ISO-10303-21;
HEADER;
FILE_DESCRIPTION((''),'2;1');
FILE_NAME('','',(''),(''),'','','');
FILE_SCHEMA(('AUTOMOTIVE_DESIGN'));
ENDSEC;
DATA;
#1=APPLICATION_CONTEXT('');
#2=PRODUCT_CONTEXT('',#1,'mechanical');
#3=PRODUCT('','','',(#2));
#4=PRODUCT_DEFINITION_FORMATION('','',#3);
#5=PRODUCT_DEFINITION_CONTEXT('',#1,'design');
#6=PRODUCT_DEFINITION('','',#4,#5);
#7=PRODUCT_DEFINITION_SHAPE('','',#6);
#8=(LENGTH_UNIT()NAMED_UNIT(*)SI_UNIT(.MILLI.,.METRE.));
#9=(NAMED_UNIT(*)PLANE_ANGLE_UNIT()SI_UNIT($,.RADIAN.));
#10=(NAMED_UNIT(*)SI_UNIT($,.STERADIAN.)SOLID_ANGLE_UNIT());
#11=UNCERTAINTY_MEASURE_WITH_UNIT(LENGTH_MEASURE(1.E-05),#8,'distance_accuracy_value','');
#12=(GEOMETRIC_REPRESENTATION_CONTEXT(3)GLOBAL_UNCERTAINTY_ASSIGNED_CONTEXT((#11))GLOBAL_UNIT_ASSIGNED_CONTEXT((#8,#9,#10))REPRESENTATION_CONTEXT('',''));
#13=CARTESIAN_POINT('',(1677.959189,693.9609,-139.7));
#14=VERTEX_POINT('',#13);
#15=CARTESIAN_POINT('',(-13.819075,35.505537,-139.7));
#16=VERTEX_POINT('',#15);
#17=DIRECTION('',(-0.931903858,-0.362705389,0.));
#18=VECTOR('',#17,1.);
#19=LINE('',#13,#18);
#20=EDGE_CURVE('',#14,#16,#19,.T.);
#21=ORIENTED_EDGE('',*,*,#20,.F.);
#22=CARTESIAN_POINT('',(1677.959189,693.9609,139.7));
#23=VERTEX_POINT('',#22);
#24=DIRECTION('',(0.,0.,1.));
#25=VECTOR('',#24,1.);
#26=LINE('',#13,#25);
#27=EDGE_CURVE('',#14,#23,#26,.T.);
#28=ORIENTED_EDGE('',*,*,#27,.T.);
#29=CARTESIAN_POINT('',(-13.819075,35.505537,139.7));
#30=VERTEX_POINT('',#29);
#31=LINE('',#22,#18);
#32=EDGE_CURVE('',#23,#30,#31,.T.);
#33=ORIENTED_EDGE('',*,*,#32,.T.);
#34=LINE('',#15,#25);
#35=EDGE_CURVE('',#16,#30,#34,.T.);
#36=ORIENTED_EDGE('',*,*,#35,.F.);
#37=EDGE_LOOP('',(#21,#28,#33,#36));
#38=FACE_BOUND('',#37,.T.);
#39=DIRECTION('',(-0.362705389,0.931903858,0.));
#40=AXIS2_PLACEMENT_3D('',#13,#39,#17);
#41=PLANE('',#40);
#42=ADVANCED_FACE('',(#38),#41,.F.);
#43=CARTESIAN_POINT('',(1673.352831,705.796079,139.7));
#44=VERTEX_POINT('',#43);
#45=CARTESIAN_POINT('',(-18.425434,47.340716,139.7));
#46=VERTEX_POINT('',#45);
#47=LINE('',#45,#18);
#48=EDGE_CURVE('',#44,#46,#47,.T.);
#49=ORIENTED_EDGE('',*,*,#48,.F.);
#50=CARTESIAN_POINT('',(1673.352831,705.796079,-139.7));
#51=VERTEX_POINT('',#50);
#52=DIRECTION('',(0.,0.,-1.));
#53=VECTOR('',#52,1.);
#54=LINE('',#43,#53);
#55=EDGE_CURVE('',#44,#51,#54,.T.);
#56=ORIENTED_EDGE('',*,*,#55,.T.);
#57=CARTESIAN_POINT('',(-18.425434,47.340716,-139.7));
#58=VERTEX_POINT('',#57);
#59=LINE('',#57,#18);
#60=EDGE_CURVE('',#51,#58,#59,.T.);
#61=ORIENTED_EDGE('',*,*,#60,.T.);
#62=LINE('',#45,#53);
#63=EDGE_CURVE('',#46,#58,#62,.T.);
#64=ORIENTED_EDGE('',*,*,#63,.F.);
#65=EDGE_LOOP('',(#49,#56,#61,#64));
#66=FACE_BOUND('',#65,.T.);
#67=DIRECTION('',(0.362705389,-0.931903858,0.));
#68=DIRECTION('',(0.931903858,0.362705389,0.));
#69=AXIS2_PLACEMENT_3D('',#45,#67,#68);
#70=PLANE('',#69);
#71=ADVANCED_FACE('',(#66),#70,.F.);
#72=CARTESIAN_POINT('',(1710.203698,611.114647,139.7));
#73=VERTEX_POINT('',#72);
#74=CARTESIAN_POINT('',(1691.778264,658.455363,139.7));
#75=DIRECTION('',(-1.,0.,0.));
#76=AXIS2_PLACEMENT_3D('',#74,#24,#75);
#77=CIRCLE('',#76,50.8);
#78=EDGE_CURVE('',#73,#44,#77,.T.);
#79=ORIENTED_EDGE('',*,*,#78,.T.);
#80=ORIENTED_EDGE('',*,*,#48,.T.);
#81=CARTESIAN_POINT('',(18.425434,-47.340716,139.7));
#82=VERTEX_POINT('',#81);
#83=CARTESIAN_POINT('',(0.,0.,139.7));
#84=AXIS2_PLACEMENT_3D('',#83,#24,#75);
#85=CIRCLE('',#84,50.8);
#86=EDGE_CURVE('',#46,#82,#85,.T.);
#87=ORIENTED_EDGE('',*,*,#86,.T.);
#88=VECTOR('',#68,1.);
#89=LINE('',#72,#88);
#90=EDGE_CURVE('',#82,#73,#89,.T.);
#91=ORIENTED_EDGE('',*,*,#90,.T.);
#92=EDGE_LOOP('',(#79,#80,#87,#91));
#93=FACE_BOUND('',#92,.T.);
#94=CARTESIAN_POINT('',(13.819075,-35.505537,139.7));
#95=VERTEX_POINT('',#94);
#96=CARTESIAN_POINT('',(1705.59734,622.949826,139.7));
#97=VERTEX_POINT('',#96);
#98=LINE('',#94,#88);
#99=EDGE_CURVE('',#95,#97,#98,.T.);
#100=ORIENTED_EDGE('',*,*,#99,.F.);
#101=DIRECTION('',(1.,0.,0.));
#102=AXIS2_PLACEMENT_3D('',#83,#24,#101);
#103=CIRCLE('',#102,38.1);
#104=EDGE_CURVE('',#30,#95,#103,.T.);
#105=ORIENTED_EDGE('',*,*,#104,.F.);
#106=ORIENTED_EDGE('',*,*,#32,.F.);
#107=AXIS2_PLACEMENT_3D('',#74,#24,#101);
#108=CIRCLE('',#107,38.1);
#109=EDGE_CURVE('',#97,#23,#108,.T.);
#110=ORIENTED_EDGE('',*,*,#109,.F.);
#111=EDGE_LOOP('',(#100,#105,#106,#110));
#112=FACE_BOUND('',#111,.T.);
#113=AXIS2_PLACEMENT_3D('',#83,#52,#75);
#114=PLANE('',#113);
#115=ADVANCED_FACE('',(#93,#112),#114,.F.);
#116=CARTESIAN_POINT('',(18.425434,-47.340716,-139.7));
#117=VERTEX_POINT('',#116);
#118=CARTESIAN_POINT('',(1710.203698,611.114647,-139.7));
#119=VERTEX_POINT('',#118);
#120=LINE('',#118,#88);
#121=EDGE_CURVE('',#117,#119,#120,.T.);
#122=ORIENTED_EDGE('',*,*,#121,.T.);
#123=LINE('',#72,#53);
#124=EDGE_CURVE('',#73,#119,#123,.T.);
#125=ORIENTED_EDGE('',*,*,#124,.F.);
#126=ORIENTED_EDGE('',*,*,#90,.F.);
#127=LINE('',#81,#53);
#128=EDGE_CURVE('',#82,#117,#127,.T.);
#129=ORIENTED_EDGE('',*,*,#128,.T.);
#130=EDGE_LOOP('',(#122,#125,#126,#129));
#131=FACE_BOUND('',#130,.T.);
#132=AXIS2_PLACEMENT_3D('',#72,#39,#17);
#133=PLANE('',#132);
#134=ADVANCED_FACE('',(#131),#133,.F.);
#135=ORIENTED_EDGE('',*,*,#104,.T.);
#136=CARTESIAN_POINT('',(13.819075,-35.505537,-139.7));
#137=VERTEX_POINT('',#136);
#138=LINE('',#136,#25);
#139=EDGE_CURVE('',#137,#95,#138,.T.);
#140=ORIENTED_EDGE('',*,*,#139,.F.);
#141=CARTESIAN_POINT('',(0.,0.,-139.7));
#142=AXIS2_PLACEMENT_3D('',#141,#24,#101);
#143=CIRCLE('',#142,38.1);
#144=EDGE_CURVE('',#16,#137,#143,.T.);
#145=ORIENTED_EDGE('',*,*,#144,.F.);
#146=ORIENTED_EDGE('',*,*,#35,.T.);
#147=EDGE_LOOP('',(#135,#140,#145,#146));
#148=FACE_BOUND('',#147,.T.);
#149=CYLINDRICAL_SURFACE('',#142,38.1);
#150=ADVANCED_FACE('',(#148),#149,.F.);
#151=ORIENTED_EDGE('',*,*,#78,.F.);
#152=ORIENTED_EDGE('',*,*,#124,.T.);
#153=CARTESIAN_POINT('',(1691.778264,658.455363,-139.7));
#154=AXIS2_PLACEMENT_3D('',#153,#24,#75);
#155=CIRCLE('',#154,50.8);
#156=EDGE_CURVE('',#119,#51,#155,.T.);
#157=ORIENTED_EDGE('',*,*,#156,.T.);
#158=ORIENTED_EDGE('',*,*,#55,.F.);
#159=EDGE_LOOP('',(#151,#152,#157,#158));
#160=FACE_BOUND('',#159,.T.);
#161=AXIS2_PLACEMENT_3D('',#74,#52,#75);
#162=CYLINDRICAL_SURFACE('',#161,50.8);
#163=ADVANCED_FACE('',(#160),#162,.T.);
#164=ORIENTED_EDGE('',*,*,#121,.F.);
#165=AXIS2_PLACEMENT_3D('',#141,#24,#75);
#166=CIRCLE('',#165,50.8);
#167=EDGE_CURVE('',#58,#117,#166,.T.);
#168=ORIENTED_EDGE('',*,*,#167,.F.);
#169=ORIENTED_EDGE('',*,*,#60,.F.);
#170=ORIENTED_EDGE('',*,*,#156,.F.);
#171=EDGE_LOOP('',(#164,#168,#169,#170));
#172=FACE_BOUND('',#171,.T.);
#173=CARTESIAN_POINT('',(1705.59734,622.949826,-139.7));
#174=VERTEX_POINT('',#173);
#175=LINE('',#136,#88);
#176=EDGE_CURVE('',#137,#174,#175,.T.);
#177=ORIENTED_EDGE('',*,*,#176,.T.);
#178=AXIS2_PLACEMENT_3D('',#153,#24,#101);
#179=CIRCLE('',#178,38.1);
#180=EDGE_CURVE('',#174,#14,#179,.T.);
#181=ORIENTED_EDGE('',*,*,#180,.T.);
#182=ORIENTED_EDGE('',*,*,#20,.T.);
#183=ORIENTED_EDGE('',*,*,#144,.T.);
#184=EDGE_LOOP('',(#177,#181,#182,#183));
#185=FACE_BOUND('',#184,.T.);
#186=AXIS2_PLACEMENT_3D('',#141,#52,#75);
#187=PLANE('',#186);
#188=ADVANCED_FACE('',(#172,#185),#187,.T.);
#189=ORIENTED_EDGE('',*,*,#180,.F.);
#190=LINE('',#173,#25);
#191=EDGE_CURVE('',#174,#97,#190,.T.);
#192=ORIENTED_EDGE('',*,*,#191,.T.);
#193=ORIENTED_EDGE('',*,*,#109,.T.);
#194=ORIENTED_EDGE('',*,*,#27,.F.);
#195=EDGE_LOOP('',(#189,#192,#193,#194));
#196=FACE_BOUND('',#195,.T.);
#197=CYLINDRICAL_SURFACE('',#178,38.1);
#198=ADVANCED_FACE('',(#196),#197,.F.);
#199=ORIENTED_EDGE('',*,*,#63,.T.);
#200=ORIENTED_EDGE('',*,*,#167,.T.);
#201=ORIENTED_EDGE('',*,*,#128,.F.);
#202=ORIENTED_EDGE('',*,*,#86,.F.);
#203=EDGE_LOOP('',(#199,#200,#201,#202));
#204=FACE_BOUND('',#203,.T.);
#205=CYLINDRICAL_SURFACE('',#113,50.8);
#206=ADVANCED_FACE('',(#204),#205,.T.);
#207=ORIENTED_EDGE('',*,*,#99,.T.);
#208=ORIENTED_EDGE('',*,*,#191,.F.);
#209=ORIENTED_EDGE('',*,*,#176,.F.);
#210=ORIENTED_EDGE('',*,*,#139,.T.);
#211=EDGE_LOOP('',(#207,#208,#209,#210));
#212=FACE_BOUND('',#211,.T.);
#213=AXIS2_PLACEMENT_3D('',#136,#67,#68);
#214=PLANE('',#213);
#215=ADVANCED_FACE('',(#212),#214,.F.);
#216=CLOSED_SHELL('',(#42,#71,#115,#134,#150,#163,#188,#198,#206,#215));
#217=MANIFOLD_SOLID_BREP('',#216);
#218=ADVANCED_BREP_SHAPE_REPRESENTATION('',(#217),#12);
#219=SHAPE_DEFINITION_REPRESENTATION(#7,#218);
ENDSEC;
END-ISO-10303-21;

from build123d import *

# Parameters (mm, degrees)
BOSS_EXTRUDE1_DEPTH = 139.7
CUT_EXTRUDE1_DEPTH  = 1903.021697166


with BuildPart() as part:
    # Sketch2 → Boss-Extrude1 (new, symmetric)
    with BuildSketch(Plane.XY):
        with BuildLine():
            Line((-18.425433745, 47.340715999), (1673.352830516, 705.796078626))
            ThreePointArc((1673.352830516, 705.796078626), (1739.11898026, 676.880796373), (1710.203698007, 611.114646628))
            Line((1710.203698007, 611.114646628), (18.425433745, -47.340715999))
            ThreePointArc((18.425433745, -47.340715999), (-47.340715999, -18.425433745), (-18.425433745, 47.340715999))
        make_face()
    extrude(amount=BOSS_EXTRUDE1_DEPTH, both=True)

    # Sketch7 → Cut-Extrude1 (cut, through all)
    with BuildSketch(Plane.XY.offset(139.7)):
        with BuildLine():
            Line((13.819075309, -35.505536999), (1705.59733957, 622.949825628))
            ThreePointArc((1705.59733957, 622.949825628), (1727.283801261, 672.274437937), (1677.959188952, 693.960899627))
            Line((1677.959188952, 693.960899627), (-13.819075309, 35.505536999))
            ThreePointArc((-13.819075309, 35.505536999), (-35.505536999, -13.819075309), (13.819075309, -35.505536999))
        make_face()
    extrude(amount=-CUT_EXTRUDE1_DEPTH, mode=Mode.SUBTRACT)


solid = part.part
